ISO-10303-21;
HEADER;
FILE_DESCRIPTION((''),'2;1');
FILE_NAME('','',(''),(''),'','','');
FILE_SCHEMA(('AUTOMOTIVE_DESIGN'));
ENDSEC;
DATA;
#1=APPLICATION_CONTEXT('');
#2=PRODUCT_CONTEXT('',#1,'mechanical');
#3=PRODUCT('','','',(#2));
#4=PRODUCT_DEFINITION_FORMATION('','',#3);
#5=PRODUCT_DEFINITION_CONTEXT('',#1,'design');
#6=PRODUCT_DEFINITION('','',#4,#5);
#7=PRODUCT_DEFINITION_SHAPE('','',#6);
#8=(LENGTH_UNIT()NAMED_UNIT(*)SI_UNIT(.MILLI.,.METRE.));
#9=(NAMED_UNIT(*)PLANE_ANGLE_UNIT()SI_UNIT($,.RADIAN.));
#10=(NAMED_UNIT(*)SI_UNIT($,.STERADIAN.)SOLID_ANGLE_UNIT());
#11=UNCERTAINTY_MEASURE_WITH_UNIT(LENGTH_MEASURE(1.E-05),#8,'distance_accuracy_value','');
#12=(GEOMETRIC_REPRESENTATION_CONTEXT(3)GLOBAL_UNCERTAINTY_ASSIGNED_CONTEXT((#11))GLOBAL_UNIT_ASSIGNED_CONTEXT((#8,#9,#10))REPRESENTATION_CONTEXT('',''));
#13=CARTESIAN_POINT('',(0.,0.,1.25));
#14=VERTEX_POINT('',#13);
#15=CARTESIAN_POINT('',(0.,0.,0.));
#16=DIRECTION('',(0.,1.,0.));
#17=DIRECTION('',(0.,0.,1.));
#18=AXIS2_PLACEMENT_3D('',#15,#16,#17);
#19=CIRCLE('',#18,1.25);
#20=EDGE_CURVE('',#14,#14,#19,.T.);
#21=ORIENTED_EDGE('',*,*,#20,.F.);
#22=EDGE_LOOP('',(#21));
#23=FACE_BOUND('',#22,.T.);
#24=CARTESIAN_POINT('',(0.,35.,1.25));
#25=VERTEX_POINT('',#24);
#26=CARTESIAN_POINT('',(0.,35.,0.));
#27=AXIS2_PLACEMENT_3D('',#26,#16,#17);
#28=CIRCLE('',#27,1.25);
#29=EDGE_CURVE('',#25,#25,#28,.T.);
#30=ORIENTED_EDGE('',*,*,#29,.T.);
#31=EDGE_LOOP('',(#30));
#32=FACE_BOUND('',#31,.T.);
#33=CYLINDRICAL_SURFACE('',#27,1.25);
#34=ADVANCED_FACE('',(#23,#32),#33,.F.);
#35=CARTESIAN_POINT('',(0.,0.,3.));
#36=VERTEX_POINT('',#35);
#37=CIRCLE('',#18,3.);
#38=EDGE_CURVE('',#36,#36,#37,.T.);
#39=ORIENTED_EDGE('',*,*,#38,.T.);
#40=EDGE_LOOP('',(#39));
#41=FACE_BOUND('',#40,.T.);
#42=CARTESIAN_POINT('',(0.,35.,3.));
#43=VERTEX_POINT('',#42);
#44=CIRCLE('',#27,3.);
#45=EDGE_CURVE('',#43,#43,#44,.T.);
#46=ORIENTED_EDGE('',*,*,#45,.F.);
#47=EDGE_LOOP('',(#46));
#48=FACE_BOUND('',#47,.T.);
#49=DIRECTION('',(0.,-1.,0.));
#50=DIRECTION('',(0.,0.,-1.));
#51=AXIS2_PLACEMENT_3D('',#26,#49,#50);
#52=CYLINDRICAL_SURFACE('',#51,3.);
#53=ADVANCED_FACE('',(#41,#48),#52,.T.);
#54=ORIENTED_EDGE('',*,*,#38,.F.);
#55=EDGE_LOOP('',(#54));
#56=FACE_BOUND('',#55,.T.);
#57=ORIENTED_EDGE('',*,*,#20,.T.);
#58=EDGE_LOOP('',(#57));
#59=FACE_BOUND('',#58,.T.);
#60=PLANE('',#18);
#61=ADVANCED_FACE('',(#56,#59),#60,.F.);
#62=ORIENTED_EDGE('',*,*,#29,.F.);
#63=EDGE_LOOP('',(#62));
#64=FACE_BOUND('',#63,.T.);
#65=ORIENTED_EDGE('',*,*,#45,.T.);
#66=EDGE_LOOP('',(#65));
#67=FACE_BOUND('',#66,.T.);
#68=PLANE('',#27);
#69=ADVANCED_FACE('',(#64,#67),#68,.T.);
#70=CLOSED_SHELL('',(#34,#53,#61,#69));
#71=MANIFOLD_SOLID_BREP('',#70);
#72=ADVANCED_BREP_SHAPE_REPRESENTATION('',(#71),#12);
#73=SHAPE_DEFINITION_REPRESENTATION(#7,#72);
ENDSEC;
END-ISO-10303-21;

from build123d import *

# Parameters (mm, degrees)
SKETCH1_R                   = 3
BOSS_EXTRUDE1_DEPTH         = 35
TAP_DRILL_FOR_M3X0_5_TAP1_D = 2.5


with BuildPart() as part:
    # Sketch1 → Boss-Extrude1 (new body)
    with BuildSketch(Plane(origin=(0, 0, 0), x_dir=(1, 0, 0), z_dir=(0, 1, 0))):
        with Locations(Location((0, 0, 0), (0, 0, 270))):
            Circle(SKETCH1_R)
    extrude(amount=BOSS_EXTRUDE1_DEPTH)

    # Tap Drill for M3x0.5 Tap1 (through all)
    with Locations(Plane(origin=(0, 35, 0), x_dir=(1, 0, 0), z_dir=(0, 1, 0))):
        with Locations((0, 0)):
            Hole(TAP_DRILL_FOR_M3X0_5_TAP1_D / 2)


solid = part.part
